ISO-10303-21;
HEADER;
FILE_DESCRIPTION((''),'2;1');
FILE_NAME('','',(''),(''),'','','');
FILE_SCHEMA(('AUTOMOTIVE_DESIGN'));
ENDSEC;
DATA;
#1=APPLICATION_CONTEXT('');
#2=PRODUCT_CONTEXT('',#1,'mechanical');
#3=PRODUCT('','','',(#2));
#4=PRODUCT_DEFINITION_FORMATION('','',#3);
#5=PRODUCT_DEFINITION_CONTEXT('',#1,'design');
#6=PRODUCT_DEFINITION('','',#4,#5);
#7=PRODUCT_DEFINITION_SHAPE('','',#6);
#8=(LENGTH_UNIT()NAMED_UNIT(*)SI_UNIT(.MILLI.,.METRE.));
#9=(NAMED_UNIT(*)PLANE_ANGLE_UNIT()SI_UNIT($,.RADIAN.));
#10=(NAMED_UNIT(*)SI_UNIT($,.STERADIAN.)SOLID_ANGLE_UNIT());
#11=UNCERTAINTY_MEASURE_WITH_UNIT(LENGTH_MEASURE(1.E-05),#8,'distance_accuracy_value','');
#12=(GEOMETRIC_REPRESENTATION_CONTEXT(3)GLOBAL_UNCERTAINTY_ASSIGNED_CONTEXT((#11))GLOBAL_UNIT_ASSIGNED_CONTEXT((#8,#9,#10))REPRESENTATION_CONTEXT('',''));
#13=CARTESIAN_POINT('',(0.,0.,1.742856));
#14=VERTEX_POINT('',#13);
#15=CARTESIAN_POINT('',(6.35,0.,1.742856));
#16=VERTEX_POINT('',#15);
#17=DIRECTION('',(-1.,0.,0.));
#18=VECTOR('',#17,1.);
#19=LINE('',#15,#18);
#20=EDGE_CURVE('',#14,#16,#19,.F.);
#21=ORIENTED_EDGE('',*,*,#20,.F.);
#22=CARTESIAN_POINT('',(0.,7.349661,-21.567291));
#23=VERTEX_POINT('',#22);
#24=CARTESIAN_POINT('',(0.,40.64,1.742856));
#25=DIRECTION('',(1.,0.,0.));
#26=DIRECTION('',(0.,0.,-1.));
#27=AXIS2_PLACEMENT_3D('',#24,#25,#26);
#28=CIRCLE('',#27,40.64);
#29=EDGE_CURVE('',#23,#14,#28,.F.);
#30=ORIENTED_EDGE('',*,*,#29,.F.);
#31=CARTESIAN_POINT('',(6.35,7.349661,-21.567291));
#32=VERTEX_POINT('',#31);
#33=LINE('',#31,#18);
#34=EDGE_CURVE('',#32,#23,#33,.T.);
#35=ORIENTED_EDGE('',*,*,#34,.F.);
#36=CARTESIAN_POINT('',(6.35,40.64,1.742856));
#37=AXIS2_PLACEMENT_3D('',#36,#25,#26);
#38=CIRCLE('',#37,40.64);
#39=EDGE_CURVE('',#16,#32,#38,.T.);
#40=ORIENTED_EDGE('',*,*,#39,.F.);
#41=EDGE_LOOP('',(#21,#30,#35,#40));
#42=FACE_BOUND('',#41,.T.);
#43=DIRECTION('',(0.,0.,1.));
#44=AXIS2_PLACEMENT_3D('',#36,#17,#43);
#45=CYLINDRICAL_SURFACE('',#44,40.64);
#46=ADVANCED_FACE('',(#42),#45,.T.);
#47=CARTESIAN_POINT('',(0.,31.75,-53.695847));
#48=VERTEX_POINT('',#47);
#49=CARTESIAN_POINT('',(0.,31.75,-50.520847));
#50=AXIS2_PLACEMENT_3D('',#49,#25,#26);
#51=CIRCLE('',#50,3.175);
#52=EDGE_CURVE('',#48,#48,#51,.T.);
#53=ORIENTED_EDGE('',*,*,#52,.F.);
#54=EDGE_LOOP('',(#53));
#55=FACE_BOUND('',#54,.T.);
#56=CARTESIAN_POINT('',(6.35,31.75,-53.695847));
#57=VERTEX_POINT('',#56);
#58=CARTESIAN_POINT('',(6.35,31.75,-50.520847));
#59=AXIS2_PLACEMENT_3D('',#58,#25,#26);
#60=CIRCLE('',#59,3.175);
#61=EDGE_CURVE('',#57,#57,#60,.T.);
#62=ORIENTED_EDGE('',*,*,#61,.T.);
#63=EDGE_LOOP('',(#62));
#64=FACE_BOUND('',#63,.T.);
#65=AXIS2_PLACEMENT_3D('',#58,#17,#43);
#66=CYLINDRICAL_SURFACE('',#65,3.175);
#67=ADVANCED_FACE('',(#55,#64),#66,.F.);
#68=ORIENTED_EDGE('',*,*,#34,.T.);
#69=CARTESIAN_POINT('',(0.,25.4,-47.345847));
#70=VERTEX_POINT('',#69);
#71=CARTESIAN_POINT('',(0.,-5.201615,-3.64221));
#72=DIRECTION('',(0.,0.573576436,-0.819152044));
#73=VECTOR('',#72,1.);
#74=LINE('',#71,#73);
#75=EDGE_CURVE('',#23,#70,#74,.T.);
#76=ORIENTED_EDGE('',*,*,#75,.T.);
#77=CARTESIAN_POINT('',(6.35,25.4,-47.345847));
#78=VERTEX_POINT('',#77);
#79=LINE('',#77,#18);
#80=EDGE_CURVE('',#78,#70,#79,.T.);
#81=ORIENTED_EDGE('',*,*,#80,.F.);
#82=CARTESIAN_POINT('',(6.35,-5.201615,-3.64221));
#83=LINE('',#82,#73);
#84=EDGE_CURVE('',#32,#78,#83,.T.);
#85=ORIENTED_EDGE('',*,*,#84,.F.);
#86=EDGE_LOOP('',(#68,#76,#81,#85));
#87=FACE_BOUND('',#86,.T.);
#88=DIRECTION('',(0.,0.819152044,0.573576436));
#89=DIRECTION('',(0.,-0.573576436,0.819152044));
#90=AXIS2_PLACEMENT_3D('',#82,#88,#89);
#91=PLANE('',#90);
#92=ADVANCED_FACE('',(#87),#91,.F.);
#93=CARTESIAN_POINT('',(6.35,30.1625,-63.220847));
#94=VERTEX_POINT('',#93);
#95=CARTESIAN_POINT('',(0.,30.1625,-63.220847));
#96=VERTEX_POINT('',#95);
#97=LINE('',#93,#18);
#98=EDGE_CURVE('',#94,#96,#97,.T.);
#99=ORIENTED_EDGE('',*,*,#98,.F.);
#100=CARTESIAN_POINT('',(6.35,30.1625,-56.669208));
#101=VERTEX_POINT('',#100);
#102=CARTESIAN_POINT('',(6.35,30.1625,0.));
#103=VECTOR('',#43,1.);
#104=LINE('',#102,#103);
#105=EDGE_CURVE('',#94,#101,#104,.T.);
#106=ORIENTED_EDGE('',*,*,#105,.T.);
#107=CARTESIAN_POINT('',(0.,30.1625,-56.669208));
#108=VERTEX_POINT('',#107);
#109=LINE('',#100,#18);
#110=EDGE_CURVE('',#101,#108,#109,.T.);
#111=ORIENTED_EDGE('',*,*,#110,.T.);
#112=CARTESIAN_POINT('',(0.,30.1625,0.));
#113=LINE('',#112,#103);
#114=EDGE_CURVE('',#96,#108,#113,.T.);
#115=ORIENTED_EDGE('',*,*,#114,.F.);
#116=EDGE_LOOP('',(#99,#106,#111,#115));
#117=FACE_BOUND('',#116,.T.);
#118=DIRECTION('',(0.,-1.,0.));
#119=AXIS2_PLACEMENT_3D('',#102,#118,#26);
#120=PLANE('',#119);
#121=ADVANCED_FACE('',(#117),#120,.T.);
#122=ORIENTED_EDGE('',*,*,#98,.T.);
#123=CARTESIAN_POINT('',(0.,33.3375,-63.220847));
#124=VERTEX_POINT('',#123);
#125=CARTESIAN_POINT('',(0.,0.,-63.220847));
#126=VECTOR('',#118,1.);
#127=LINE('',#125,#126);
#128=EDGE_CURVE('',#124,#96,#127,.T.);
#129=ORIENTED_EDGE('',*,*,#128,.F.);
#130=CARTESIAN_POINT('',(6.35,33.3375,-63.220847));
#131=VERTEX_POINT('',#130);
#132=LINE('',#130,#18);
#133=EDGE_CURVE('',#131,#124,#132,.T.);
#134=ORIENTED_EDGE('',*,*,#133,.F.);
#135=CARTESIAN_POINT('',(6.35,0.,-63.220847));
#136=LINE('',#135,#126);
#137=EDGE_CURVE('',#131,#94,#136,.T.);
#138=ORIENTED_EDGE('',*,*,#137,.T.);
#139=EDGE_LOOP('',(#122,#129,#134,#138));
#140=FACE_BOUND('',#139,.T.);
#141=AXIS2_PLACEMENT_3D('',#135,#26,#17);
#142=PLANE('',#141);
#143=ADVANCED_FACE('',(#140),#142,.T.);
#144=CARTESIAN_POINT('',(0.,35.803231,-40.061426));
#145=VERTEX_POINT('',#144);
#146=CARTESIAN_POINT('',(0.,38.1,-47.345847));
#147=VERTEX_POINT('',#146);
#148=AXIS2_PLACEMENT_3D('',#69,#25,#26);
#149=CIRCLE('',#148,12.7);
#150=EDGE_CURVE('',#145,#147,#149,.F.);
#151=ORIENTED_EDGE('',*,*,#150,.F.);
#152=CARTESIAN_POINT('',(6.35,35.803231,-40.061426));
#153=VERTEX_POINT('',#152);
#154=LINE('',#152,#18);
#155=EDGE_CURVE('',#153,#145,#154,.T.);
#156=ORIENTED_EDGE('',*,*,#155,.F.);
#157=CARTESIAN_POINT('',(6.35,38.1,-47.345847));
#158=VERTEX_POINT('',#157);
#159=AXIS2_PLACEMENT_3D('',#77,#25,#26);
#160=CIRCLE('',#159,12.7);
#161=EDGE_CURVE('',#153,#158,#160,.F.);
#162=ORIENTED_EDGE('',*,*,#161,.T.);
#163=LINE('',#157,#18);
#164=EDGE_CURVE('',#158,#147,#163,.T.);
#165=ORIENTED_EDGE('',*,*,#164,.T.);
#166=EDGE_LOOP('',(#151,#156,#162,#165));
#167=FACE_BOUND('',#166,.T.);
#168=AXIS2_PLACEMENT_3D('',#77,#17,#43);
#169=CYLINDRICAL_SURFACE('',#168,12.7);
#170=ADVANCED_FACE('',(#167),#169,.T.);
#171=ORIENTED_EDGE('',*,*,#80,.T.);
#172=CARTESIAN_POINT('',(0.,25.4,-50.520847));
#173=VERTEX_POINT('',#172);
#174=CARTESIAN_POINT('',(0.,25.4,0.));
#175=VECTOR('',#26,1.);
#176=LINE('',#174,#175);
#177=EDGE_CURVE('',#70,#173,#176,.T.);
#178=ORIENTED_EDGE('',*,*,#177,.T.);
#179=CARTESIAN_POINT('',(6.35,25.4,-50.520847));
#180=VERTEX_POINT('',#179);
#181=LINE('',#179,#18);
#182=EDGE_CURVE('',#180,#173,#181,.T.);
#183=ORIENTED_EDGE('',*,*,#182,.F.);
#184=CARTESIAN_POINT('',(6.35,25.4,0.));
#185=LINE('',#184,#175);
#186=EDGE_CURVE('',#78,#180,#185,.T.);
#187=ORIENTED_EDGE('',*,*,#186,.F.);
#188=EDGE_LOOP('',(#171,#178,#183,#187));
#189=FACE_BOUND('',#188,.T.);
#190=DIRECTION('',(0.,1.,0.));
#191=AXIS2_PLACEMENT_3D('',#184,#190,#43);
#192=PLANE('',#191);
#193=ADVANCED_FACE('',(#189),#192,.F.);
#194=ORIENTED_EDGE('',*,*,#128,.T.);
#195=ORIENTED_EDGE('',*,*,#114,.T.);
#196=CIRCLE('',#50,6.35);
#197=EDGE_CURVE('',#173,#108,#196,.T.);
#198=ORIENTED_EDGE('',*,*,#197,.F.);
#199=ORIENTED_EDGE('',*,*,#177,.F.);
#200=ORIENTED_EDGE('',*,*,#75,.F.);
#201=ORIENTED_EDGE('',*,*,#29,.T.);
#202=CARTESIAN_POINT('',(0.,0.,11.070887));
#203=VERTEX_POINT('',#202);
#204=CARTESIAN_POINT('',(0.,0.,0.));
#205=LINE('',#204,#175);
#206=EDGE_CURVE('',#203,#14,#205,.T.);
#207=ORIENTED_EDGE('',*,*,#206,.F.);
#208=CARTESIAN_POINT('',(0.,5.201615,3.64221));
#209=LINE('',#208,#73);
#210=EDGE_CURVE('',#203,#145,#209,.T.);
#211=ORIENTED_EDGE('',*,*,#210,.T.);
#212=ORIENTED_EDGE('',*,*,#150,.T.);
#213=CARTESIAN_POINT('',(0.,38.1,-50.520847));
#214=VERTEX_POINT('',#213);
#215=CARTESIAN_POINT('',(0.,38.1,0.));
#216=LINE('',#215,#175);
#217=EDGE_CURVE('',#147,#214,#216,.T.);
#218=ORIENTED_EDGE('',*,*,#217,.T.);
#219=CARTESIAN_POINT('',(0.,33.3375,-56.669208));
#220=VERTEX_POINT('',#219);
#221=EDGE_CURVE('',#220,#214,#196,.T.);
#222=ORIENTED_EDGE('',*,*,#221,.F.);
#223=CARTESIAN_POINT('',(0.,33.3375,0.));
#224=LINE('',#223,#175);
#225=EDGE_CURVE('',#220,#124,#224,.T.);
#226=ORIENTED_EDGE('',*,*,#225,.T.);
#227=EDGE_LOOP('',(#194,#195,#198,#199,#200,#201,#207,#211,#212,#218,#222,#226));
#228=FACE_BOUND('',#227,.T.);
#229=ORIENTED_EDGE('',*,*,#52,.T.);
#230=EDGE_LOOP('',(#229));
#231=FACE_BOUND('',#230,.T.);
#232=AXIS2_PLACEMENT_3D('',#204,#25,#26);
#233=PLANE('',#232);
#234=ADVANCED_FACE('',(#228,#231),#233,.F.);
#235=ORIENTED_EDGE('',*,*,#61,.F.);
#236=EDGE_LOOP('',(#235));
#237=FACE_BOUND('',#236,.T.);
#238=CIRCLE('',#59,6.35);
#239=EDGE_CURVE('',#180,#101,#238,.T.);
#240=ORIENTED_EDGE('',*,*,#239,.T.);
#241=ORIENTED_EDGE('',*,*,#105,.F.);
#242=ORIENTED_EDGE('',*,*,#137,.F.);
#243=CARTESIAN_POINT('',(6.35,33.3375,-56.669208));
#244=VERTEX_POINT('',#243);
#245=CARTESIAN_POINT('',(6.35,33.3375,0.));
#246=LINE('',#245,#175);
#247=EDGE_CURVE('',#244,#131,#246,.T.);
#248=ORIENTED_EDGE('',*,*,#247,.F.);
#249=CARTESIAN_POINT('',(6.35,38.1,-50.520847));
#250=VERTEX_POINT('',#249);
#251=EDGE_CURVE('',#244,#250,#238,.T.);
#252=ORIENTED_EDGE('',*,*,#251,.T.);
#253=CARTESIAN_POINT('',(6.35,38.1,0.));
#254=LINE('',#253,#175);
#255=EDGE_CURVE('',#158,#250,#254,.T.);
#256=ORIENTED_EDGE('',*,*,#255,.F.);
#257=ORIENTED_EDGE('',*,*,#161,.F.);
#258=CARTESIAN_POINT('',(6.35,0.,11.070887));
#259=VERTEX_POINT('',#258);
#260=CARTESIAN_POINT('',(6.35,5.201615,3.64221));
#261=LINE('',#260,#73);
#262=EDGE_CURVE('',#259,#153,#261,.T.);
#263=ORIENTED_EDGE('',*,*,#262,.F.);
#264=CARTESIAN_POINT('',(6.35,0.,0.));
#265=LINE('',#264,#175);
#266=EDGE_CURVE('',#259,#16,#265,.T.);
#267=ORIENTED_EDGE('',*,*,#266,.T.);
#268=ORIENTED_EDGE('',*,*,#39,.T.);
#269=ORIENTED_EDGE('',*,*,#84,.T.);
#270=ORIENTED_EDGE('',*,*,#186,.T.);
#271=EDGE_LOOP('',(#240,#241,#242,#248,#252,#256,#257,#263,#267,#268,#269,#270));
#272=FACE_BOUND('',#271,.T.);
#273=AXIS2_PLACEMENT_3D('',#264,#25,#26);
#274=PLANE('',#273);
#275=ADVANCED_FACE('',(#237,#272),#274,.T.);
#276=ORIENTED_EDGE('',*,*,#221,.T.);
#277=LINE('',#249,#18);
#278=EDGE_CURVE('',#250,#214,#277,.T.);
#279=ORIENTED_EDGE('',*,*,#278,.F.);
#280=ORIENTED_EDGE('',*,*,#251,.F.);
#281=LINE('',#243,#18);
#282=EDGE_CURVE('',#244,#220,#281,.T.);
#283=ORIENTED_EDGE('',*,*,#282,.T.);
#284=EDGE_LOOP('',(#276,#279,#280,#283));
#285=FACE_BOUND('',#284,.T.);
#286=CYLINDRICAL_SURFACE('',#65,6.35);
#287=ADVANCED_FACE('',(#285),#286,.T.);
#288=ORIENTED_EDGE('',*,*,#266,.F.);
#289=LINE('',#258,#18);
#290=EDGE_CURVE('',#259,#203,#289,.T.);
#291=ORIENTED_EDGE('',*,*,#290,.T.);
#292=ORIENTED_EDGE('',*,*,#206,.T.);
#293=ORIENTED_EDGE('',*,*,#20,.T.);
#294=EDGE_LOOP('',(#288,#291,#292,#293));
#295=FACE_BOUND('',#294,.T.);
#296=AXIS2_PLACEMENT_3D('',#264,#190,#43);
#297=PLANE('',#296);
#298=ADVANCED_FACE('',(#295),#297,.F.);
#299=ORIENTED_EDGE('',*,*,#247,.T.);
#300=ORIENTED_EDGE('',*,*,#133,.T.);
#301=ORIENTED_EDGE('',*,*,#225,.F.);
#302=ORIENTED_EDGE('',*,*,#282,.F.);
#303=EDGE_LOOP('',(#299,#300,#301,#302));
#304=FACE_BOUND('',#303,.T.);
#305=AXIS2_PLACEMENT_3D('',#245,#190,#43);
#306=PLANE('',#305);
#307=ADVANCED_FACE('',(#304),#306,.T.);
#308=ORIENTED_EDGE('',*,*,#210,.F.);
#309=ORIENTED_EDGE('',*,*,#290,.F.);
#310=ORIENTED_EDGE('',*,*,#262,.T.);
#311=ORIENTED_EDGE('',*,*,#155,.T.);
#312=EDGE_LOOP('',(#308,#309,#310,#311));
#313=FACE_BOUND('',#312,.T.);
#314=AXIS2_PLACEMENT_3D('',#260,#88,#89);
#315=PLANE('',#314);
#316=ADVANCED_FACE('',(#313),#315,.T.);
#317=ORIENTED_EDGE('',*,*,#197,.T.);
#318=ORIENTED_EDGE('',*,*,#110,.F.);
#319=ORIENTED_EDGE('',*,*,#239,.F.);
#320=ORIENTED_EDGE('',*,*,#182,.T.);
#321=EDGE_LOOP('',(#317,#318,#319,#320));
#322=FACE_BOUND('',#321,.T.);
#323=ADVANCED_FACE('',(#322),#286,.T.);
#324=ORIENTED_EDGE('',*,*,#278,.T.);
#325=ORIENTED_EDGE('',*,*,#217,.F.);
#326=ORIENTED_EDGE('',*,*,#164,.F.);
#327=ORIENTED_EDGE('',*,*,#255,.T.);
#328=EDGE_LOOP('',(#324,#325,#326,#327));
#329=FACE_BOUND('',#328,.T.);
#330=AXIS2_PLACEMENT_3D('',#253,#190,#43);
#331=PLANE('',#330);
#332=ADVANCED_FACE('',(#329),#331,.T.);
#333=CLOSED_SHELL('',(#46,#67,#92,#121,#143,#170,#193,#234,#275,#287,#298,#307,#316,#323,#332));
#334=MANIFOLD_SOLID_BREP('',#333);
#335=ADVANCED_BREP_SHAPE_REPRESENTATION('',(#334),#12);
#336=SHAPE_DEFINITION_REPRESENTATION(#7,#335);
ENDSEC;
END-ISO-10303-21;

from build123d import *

# Parameters (mm, degrees)
SKETCH2_R           = 3.175
BOSS_EXTRUDE1_DEPTH = 6.35
FILLET1_R           = 40.64


with BuildPart() as part:
    # Sketch2 → Boss-Extrude1 (new body)
    # profile 1 of 2: a face of its own
    with BuildSketch(Plane(origin=(0, 0, 0), x_dir=(0, 0, -1), z_dir=(1, 0, 0))):
        with BuildLine():
            ThreePointArc((40.061425782, 35.803230962), (43.52688287, 37.512205275), (47.345846523, 38.1))
            Line((47.345846523, 38.1), (50.520846523, 38.1))
            ThreePointArc((50.520846523, 38.1), (56.870846523, 31.75), (50.520846523, 25.4))
            Line((50.520846523, 25.4), (47.345846523, 25.4))
            Line((47.345846523, 25.4), (11.070887152, 0))
            Line((11.070887152, 0), (-11.070887152, 0))
            Line((-11.070887152, 0), (40.061425782, 35.803230962))
        make_face()
        with Locations((50.520846523, 31.75)):
            Circle(SKETCH2_R, mode=Mode.SUBTRACT)
    # profile 2 of 2: a face of its own
    with BuildSketch(Plane(origin=(0, 0, 0), x_dir=(0, 0, -1), z_dir=(1, 0, 0))):
        with BuildLine():
            ThreePointArc((56.669207586, 33.3375), (56.870846523, 31.75), (56.669207586, 30.1625))
            Line((56.669207586, 30.1625), (63.220846523, 30.1625))
            Line((63.220846523, 30.1625), (63.220846523, 33.3375))
            Line((63.220846523, 33.3375), (56.669207586, 33.3375))
        make_face()
    extrude(amount=BOSS_EXTRUDE1_DEPTH)

    # Fillet1
    fillet1_edges = [part.edges().sort_by_distance(p)[0] for p in [
        (3.175, 0, -11.070887152),
    ]]
    fillet(fillet1_edges, radius=FILLET1_R)


solid = part.part
